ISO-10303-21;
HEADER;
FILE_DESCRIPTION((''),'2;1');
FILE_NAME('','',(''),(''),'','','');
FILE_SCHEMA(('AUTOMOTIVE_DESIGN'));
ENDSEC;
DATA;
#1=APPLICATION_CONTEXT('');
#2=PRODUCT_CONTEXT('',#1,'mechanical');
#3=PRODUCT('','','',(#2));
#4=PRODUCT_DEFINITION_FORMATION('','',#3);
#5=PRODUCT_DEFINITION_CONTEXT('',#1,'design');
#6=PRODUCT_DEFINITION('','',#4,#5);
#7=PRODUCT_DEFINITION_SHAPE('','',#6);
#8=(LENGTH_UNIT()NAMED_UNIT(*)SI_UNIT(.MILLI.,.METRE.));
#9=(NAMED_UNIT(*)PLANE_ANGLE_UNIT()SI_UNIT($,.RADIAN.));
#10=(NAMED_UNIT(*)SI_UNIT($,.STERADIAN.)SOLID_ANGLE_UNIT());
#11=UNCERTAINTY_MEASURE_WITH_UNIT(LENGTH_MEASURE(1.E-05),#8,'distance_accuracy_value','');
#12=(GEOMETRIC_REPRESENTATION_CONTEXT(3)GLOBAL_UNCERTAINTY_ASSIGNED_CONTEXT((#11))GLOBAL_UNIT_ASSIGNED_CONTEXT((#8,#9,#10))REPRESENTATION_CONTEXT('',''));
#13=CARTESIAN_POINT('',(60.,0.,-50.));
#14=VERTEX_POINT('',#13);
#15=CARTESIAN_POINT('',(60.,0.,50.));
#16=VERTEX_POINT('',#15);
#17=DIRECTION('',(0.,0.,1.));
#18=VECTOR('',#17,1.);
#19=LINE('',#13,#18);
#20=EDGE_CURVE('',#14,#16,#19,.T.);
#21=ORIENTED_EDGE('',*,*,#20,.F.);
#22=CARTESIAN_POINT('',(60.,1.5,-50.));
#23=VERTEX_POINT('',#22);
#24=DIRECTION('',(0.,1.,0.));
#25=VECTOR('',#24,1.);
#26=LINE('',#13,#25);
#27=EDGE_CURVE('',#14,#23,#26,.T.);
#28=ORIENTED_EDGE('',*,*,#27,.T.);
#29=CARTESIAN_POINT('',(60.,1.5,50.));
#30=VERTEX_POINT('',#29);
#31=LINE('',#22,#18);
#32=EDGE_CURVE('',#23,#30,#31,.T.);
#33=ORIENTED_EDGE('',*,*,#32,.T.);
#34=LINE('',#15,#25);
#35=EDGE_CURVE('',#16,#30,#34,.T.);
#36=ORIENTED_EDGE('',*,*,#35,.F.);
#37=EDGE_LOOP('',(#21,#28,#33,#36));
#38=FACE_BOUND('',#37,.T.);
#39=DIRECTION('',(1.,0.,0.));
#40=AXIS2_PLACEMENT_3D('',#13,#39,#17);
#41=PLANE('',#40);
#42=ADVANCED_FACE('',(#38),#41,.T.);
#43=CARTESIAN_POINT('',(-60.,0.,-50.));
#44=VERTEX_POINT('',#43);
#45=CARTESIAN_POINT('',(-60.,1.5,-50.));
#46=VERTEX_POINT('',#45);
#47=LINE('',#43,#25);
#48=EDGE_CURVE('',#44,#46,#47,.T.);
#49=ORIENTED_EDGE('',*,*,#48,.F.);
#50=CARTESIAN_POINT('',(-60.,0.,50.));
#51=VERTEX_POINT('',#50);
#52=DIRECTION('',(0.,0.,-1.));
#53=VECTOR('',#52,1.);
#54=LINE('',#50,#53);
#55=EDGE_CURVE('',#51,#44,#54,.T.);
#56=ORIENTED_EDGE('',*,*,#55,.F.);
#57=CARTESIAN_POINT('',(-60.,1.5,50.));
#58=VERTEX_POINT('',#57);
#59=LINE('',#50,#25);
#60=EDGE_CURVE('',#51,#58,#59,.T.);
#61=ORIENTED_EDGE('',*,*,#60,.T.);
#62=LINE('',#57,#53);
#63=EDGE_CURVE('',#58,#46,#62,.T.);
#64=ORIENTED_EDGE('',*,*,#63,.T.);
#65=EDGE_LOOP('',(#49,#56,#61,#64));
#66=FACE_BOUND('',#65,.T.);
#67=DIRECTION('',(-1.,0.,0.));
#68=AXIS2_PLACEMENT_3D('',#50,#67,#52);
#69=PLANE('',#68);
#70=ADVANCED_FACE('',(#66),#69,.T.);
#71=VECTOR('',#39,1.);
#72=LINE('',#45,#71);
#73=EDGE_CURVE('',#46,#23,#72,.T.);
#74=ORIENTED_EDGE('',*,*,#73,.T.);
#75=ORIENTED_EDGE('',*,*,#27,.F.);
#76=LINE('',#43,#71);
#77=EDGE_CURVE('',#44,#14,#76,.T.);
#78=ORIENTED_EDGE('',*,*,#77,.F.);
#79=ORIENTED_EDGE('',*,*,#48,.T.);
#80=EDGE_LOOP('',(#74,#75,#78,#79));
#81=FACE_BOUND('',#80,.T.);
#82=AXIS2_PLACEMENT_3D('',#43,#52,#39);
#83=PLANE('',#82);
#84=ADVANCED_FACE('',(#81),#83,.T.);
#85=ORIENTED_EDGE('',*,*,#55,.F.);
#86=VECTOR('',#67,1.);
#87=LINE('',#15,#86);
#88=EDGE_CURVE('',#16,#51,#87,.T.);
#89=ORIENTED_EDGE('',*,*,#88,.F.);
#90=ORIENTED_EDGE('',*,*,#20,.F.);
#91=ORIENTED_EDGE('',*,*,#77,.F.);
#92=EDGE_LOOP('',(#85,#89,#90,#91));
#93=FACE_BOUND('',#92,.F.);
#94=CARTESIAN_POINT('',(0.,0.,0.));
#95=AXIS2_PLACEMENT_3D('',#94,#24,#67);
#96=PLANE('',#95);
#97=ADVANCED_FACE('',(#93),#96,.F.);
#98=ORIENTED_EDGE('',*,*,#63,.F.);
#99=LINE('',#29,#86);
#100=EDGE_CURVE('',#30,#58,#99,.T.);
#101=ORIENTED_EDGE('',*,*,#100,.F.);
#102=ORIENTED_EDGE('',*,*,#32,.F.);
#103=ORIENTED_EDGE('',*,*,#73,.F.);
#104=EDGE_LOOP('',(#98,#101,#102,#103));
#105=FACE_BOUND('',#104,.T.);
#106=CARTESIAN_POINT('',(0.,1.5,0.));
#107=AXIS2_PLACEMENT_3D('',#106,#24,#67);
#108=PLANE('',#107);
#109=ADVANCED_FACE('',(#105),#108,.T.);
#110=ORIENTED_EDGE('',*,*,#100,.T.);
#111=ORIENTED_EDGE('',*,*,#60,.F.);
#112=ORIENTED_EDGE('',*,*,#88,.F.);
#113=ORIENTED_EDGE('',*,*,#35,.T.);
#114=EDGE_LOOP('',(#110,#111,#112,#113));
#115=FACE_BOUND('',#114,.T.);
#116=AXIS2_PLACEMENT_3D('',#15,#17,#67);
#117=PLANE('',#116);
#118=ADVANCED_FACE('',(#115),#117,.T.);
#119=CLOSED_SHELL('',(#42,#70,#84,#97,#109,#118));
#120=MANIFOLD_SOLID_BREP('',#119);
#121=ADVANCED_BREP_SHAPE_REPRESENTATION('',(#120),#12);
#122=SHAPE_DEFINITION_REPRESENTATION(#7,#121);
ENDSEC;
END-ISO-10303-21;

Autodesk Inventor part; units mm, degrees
ref_plane "YZ Plane" through (0, 0, 0) normal (1, 0, 0) x (0, 1, 0)
ref_plane "XZ Plane" through (0, 0, 0) normal (0, 1, 0) x (-1, 0, 0)
ref_plane "XY Plane" through (0, 0, 0) normal (0, 0, 1) x (1, 0, 0)
sketch "Sketch1" plane through (0, 0, 0) normal (0, 1, 0) x (-1, 0, 0)
  line L0 (60, -50) -> (-60, -50)
  line L1 (-60, -50) -> (-60, 50)
  line L2 (-60, 50) -> (60, 50)
  line L3 (60, 50) -> (60, -50)
  point P0 (0, 0)
  dimension "d0" = 120
  dimension "d1" = 100
  dimension "d2" = 50
  dimension "d3" = 60
extrude "Plate1" add sketch "Sketch1" along normal blind 1.5
equation "\"d4\" = Thickness"
equation "\"BendReliefWidth\" = Thickness"
equation "\"BendReliefDepth\" = 0.5 * Thickness"
equation "\"CornerReliefSize\" = 4 * Thickness"
equation "\"MinimumRemnant\" = 2 * Thickness"
equation "\"TransitionRadius\" = BendRadius"
equation "\"JacobiRadiusSize\" = BendRadius"
equation "\"GapSize\" = Thickness"
equation "\"Thickness\" = 1.5"
equation "\"BendRadius\" = 0.31"
properties part number "axis_12_bottom_frame(bottom)" material "Aluminum 6061-AHC"
